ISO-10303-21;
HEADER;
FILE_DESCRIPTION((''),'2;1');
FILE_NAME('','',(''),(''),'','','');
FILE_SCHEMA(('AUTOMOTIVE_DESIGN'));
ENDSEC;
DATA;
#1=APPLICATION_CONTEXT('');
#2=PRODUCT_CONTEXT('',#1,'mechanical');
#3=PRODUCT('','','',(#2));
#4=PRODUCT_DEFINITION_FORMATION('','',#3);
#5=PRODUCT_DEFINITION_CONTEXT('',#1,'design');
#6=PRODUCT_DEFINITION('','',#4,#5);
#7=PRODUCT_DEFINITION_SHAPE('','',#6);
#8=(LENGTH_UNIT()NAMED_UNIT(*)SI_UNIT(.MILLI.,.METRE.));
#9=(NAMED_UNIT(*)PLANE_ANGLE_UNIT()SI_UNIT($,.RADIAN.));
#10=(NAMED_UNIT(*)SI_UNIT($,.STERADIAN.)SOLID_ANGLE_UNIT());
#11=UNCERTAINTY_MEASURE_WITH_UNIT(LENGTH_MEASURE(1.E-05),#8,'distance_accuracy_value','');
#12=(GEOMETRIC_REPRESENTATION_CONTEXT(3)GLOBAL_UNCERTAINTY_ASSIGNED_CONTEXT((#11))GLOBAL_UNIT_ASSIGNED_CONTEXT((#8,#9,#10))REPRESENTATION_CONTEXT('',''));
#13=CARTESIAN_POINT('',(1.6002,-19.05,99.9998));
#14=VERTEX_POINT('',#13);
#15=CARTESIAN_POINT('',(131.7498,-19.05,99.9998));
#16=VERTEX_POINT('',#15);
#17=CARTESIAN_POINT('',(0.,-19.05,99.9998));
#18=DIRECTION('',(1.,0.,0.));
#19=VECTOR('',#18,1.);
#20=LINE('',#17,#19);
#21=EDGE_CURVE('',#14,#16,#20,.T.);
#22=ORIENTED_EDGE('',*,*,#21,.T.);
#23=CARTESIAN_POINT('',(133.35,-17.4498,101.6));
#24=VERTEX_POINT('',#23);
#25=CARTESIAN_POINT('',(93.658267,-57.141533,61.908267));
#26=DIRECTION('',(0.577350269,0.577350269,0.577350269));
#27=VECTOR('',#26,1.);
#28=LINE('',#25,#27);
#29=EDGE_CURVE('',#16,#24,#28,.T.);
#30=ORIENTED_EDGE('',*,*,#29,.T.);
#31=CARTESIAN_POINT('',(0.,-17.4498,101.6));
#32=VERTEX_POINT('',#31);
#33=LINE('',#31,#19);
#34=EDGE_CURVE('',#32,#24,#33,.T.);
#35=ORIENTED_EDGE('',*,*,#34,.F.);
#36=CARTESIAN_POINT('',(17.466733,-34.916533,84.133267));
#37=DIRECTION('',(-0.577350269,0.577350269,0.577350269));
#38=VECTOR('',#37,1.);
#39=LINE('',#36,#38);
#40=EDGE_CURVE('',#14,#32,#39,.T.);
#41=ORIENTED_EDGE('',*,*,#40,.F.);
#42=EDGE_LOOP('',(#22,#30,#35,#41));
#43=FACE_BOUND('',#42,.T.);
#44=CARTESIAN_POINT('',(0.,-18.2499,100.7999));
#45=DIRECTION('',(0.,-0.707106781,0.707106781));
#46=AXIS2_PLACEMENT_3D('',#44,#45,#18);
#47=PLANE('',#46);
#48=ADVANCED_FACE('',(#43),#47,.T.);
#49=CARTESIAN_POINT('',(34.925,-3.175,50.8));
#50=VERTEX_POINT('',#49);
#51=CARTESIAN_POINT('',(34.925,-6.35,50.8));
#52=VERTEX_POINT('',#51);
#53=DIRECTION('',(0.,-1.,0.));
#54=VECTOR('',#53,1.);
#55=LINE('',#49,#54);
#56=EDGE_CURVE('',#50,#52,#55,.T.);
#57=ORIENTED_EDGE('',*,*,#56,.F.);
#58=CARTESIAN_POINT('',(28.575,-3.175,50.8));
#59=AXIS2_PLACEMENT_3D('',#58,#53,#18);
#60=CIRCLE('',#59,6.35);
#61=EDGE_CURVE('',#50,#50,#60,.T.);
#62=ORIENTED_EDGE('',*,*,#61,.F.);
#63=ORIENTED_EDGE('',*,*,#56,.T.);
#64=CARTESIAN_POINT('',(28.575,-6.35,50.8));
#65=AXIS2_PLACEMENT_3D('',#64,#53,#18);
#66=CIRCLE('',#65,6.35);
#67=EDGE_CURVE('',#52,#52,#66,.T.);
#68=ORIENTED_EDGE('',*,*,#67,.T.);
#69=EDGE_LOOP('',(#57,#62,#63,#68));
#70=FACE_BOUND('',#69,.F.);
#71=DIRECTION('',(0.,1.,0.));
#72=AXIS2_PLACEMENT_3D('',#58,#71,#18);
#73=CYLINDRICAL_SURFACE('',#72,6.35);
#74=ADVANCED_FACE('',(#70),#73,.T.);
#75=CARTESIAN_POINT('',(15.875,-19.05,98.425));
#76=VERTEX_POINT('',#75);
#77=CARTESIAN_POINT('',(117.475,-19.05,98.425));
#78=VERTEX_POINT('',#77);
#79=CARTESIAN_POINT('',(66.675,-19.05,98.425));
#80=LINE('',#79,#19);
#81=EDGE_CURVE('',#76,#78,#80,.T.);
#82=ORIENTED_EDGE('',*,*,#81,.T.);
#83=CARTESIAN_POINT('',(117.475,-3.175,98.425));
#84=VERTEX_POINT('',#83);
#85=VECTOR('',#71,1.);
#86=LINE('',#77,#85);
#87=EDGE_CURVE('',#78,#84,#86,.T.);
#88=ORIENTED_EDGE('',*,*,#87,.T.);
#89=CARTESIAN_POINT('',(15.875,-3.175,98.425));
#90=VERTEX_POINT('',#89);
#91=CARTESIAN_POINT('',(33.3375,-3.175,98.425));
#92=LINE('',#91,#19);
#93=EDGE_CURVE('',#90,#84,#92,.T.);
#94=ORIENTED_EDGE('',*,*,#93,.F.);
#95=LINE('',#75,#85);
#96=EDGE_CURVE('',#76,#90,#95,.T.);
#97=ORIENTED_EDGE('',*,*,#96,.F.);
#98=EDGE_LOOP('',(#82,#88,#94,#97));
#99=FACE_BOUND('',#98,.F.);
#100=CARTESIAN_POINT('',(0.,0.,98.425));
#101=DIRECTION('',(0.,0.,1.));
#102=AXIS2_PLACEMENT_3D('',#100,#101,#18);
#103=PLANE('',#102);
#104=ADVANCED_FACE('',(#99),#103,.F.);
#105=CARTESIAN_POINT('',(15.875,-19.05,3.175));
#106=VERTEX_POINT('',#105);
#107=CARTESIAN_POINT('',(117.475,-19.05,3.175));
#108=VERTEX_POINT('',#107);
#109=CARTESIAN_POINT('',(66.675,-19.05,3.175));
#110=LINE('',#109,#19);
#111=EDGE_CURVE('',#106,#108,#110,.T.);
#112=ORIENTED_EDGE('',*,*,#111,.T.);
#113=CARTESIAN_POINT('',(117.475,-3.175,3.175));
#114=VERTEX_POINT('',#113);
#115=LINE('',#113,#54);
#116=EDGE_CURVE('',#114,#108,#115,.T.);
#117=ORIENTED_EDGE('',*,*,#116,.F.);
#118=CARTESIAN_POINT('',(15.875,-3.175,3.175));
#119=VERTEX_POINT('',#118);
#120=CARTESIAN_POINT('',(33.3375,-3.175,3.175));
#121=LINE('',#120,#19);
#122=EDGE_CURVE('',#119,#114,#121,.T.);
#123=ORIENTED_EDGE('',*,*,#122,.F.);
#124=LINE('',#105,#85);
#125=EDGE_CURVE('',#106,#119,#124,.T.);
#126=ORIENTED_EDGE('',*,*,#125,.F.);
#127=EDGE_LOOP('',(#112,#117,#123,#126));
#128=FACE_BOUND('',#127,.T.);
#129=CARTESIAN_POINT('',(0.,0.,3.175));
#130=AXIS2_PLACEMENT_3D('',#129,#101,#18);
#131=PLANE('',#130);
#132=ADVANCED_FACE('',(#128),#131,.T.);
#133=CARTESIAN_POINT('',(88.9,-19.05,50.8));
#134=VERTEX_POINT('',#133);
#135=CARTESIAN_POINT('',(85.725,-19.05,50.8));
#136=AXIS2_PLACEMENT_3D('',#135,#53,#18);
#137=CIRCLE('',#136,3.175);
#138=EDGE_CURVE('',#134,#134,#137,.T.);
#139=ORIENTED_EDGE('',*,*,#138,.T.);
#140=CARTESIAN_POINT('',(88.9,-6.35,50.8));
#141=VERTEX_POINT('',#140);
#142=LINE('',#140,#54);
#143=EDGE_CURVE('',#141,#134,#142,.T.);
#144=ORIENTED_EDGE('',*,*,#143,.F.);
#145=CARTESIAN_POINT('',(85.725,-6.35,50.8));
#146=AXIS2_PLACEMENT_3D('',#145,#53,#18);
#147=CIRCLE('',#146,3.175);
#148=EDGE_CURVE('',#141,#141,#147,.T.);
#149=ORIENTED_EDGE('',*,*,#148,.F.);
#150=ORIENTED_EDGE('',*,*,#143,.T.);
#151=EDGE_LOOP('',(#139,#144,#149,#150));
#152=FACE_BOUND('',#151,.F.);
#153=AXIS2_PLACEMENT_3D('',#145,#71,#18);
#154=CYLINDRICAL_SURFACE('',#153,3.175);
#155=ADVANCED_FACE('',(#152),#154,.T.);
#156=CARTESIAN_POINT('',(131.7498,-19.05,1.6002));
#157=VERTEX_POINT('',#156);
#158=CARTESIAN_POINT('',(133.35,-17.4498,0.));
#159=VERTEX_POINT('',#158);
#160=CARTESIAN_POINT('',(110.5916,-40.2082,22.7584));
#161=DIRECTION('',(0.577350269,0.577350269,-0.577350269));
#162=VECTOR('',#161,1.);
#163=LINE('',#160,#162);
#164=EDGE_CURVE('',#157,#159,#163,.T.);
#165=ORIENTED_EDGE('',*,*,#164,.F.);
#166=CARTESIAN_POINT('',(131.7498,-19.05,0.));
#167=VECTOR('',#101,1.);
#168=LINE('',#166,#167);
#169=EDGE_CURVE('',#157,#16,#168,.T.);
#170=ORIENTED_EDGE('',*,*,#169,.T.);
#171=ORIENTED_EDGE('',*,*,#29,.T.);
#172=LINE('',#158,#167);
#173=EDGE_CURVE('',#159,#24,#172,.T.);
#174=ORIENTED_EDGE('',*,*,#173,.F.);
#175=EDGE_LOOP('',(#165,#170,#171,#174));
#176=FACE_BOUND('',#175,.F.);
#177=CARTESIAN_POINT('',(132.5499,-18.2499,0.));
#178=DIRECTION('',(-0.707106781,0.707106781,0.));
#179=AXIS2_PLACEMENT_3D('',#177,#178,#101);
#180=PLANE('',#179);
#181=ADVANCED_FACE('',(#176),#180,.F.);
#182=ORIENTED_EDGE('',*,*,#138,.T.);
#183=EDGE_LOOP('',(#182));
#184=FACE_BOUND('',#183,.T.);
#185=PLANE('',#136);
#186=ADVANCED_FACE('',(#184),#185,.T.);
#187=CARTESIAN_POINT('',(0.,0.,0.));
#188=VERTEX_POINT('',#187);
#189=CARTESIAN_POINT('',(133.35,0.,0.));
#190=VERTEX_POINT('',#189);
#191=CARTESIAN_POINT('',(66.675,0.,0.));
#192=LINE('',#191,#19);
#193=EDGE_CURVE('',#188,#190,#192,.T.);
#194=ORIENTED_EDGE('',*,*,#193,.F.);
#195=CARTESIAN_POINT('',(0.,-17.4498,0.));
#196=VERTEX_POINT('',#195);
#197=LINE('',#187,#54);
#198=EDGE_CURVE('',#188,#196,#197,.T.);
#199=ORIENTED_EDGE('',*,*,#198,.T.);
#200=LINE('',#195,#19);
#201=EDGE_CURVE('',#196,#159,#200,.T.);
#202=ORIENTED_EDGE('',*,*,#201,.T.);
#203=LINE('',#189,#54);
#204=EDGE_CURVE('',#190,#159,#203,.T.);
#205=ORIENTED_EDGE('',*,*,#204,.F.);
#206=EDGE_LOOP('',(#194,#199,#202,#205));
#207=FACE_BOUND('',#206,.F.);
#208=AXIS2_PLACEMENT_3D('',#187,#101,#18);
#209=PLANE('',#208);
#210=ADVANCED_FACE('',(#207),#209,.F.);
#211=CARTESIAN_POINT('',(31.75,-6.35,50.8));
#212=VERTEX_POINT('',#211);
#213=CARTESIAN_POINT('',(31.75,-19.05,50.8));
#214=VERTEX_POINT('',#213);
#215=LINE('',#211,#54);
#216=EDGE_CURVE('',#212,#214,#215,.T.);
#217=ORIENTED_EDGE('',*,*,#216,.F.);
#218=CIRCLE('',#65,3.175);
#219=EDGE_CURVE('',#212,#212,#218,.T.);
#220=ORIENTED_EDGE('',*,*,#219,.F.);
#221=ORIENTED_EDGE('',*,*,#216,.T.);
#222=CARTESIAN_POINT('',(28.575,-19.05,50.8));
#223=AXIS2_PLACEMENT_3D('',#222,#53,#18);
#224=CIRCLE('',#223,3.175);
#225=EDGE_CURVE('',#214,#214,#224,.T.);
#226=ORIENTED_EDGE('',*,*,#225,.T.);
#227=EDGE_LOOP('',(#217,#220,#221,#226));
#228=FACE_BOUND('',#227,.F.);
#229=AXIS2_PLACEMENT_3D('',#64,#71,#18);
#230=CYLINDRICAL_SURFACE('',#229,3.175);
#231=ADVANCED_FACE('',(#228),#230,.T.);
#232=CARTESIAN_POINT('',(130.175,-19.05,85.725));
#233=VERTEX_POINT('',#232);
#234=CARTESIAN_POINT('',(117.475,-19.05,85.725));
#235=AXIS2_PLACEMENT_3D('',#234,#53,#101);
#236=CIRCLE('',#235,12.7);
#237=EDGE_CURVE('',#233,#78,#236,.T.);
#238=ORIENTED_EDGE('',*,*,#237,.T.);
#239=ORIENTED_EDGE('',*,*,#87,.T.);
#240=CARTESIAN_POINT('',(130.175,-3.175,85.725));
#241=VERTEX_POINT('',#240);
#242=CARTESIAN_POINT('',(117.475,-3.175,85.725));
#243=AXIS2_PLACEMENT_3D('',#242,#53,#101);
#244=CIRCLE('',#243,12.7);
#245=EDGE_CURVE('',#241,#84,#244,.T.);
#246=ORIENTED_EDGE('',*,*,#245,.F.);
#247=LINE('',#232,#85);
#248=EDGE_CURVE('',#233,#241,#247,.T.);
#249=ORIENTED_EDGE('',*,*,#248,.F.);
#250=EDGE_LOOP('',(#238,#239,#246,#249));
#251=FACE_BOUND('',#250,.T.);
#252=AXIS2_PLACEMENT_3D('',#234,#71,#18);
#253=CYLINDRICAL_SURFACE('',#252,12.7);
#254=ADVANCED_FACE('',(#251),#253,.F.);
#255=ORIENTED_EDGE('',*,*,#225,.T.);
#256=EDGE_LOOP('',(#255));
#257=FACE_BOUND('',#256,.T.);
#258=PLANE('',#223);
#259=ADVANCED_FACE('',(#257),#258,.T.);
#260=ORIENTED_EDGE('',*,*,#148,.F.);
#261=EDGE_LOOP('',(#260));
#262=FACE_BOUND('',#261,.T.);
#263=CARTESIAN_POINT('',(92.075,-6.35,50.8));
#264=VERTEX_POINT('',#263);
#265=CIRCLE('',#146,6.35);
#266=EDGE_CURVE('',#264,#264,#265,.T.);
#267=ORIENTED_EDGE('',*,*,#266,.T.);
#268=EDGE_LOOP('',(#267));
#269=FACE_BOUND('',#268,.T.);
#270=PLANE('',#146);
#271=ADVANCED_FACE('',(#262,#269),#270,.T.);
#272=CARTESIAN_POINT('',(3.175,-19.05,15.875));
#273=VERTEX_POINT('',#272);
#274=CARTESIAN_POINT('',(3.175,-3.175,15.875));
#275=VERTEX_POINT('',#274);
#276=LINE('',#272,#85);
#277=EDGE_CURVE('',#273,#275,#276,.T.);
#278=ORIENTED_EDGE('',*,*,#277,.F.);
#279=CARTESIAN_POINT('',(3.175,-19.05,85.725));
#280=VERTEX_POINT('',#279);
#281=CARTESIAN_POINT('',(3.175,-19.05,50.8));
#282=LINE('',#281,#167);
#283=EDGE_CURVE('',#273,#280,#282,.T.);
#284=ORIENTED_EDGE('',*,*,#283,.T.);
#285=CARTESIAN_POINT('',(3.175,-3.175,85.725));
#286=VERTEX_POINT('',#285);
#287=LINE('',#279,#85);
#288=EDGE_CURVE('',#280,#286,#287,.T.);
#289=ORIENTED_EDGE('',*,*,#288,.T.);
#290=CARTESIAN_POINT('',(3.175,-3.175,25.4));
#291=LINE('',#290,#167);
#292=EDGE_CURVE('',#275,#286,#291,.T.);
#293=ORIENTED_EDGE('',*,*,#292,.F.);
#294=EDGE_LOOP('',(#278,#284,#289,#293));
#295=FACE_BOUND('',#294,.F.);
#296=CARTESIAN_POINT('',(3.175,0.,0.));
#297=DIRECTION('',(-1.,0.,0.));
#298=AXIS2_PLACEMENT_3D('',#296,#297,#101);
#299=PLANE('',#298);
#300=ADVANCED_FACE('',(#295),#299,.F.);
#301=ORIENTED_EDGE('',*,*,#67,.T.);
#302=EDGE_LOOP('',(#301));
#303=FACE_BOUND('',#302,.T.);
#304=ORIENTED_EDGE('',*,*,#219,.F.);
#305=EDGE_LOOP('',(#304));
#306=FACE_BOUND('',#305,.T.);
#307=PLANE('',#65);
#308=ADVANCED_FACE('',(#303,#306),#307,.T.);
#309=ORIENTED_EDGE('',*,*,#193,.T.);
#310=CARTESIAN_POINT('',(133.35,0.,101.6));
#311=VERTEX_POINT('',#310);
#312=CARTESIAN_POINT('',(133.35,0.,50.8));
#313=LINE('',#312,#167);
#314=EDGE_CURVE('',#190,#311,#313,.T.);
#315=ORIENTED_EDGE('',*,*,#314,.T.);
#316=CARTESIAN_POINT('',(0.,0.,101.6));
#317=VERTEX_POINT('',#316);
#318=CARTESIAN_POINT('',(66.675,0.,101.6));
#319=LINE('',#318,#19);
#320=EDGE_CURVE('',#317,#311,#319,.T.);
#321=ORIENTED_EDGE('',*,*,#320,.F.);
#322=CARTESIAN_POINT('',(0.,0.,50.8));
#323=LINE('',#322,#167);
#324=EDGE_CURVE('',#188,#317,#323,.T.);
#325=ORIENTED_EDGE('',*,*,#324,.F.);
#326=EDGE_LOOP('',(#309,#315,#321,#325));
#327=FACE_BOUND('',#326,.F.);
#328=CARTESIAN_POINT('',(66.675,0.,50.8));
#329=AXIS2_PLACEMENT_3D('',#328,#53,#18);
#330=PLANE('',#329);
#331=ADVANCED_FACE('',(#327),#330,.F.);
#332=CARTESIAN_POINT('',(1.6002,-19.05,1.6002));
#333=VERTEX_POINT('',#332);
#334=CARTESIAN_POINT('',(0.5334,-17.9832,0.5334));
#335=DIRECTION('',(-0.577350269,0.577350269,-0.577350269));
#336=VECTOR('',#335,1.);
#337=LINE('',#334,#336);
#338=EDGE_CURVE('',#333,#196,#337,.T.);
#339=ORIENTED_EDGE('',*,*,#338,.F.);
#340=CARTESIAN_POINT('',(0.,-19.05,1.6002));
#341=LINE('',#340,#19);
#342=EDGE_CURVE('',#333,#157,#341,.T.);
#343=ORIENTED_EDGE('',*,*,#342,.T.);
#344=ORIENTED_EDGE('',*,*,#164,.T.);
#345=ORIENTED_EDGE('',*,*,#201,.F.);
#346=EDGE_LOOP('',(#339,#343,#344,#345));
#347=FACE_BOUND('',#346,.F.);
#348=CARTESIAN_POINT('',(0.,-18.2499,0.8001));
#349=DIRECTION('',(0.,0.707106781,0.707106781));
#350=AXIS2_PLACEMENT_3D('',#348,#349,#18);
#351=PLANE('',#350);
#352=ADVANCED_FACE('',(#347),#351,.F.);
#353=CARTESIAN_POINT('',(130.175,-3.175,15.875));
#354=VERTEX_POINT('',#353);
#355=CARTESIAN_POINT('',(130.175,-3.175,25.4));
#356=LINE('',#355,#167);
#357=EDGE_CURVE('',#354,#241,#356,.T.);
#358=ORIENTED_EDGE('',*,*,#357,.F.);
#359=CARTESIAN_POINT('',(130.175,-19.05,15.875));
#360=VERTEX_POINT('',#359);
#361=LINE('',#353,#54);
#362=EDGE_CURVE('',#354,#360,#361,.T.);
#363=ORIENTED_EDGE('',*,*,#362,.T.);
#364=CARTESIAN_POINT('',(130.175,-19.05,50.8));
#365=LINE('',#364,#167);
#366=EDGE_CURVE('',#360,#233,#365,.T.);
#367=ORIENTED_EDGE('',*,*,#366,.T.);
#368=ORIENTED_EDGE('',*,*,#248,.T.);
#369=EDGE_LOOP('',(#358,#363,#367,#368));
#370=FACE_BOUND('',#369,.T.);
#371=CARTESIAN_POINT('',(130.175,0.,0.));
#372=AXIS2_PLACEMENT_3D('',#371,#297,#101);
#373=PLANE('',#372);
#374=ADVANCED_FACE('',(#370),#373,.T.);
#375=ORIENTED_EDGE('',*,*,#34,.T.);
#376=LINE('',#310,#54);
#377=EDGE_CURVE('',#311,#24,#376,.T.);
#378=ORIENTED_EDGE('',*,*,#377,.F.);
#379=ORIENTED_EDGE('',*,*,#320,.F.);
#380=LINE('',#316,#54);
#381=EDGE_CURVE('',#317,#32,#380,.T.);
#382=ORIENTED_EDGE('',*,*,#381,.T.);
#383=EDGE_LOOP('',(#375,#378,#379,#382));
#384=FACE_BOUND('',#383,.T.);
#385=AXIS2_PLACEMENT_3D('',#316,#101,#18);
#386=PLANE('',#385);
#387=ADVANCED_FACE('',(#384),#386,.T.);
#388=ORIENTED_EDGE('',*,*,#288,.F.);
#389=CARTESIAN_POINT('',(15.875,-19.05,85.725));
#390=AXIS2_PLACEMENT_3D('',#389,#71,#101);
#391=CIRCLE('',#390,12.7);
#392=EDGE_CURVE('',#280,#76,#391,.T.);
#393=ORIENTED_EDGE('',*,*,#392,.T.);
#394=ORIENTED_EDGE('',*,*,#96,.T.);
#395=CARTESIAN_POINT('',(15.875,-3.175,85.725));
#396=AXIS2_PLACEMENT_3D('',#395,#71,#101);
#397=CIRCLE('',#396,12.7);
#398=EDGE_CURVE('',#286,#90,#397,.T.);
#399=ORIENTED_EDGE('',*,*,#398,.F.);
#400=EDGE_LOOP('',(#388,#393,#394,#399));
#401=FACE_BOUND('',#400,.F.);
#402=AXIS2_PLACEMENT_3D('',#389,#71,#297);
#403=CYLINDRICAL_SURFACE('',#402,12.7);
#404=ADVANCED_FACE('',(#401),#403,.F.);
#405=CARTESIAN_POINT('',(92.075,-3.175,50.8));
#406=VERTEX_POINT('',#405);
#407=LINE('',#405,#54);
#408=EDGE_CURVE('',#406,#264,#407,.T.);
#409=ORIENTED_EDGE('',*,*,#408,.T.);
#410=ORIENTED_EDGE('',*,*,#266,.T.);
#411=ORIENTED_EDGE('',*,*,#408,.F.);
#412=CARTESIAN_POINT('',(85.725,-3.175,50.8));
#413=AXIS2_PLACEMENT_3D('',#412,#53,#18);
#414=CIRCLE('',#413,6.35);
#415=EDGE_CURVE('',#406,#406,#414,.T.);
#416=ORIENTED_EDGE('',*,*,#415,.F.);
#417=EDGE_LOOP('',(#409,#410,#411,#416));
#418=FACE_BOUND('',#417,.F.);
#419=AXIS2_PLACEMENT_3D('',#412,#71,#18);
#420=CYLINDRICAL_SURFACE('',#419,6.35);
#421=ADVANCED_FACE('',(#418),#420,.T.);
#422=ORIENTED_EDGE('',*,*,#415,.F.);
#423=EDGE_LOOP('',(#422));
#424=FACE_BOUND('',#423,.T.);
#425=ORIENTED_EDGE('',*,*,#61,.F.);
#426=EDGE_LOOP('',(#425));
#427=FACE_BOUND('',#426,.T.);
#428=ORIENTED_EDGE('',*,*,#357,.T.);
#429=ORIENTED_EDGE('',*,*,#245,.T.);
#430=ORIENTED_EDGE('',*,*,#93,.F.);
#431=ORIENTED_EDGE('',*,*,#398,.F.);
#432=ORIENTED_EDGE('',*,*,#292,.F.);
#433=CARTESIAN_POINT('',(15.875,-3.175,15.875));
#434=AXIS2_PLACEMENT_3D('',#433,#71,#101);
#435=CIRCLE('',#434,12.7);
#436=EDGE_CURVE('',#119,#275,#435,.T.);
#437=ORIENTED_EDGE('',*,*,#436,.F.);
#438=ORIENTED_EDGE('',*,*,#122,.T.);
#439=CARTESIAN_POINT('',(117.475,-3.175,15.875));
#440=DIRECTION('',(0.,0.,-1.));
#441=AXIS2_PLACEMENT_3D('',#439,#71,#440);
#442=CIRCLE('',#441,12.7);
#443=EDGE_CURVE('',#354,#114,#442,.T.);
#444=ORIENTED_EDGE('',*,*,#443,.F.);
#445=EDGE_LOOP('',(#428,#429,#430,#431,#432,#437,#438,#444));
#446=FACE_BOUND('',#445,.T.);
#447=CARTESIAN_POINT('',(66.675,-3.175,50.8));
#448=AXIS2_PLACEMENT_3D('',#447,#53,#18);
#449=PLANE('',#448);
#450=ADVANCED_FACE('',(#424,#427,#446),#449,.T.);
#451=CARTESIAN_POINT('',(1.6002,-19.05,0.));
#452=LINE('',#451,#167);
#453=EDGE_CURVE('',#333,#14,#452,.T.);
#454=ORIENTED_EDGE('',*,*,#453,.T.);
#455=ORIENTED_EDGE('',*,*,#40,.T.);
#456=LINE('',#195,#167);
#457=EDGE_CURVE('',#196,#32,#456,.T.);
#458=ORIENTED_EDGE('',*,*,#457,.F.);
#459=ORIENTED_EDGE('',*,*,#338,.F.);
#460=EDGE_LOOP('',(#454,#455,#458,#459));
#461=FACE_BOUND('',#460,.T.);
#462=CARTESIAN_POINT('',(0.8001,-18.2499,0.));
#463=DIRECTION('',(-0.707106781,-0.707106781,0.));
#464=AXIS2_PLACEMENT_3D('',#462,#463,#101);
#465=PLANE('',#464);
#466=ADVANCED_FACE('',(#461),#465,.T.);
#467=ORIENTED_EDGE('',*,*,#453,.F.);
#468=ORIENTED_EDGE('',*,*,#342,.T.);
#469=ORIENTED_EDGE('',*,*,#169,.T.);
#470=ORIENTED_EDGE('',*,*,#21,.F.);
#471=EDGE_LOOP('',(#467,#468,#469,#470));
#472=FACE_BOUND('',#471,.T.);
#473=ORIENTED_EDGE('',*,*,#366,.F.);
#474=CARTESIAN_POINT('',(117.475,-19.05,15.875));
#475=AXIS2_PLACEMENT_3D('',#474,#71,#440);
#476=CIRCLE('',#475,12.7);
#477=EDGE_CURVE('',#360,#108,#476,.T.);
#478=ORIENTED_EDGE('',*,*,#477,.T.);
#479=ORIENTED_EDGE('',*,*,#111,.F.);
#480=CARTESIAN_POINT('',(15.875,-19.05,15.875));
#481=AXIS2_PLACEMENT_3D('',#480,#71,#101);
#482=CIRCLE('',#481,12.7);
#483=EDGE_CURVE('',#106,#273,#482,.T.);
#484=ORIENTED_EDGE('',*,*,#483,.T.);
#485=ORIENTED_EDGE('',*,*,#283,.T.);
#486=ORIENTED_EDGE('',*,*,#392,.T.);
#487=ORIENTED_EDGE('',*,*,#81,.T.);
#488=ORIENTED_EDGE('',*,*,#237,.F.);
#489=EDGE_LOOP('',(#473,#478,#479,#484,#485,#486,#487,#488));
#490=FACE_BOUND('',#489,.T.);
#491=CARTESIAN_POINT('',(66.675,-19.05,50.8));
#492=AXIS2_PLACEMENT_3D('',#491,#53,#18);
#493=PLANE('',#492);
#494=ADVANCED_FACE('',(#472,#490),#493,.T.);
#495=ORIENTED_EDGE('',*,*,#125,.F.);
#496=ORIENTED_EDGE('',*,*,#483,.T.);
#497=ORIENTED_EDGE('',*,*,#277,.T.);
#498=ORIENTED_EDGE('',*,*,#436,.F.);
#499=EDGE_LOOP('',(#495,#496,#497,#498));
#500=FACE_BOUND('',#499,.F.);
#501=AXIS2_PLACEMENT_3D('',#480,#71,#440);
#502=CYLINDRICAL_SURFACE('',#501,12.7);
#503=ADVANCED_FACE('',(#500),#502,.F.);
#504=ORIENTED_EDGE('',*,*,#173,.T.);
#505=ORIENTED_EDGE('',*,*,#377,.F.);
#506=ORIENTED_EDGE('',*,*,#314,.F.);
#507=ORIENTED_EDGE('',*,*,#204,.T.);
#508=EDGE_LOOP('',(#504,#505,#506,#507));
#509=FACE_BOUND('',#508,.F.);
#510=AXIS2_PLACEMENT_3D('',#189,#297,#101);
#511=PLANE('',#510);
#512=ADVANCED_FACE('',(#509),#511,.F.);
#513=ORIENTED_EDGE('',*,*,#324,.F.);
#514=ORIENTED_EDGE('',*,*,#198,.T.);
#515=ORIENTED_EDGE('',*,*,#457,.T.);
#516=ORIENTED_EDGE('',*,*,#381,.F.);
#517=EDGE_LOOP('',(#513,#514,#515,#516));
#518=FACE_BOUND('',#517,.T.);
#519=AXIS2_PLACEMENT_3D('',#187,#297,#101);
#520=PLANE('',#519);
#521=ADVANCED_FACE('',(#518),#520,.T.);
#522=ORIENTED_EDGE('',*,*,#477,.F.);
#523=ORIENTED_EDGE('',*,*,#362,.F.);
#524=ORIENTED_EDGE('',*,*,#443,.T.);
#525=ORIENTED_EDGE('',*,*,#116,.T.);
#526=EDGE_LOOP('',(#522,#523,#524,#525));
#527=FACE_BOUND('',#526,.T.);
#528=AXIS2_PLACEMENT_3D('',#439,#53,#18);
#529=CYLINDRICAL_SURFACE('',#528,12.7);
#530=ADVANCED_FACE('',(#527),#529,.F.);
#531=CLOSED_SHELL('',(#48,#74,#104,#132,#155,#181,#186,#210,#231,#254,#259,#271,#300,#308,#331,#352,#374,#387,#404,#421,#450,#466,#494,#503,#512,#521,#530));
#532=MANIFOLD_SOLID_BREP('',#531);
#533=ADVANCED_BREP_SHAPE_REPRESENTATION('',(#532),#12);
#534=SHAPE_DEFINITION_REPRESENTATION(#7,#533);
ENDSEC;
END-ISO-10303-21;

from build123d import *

# Parameters (mm, degrees)
F0_W     = 133.35
F0_H     = 101.6
F1_DEPTH = 19.05
F2_T     = -3.175
F3_R     = 6.35
F4_DEPTH = 3.175
F5_R     = 3.175
F6_DEPTH = 12.7
F7_R     = 3.175
F8_DEPTH = 12.7
F9_R     = 12.7
F10_SIZE = 1.6002


with BuildPart() as f1:
    # F0 (on Front) → F1 (new body)
    with BuildSketch(Plane.XZ):
        with Locations((66.675, 50.8)):
            Rectangle(F0_W, F0_H)
    extrude(amount=F1_DEPTH)

    # F2
    f2_openings = [f1.faces().sort_by_distance(p)[0] for p in [
        (66.675, -19.05, 50.8),
    ]]
    offset(amount=F2_T, openings=f2_openings)

    # F3 (on face) → F4 (join)
    with BuildSketch(Plane.XZ.offset(3.175)):
        with Locations((28.575, 50.8)):
            Circle(F3_R)
        with Locations((85.725, 50.8)):
            Circle(F3_R)
    extrude(amount=F4_DEPTH)

    # F5 (on face) → F6 (join)
    with BuildSketch(Plane.XZ.offset(6.35)):
        with Locations((28.575, 50.8)):
            Circle(F5_R)
    extrude(amount=F6_DEPTH)

    # F7 (on face) → F8 (join)
    with BuildSketch(Plane.XZ.offset(6.35)):
        with Locations((85.725, 50.8)):
            Circle(F7_R)
    extrude(amount=F8_DEPTH)

    # F9
    f9_edges = [f1.edges().sort_by_distance(p)[0] for p in [
        (3.175, -11.1125, 98.425),
        (3.175, -11.1125, 3.175),
        (130.175, -11.1125, 3.175),
        (130.175, -11.1125, 98.425),
    ]]
    fillet(f9_edges, radius=F9_R)

    # F10
    f10_edges = [f1.edges().sort_by_distance(p)[0] for p in [
        (0, -19.05, 50.8),
        (66.675, -19.05, 101.6),
        (133.35, -19.05, 50.8),
        (66.675, -19.05, 0),
    ]]
    chamfer(f10_edges, length=F10_SIZE)


solid = f1.part
